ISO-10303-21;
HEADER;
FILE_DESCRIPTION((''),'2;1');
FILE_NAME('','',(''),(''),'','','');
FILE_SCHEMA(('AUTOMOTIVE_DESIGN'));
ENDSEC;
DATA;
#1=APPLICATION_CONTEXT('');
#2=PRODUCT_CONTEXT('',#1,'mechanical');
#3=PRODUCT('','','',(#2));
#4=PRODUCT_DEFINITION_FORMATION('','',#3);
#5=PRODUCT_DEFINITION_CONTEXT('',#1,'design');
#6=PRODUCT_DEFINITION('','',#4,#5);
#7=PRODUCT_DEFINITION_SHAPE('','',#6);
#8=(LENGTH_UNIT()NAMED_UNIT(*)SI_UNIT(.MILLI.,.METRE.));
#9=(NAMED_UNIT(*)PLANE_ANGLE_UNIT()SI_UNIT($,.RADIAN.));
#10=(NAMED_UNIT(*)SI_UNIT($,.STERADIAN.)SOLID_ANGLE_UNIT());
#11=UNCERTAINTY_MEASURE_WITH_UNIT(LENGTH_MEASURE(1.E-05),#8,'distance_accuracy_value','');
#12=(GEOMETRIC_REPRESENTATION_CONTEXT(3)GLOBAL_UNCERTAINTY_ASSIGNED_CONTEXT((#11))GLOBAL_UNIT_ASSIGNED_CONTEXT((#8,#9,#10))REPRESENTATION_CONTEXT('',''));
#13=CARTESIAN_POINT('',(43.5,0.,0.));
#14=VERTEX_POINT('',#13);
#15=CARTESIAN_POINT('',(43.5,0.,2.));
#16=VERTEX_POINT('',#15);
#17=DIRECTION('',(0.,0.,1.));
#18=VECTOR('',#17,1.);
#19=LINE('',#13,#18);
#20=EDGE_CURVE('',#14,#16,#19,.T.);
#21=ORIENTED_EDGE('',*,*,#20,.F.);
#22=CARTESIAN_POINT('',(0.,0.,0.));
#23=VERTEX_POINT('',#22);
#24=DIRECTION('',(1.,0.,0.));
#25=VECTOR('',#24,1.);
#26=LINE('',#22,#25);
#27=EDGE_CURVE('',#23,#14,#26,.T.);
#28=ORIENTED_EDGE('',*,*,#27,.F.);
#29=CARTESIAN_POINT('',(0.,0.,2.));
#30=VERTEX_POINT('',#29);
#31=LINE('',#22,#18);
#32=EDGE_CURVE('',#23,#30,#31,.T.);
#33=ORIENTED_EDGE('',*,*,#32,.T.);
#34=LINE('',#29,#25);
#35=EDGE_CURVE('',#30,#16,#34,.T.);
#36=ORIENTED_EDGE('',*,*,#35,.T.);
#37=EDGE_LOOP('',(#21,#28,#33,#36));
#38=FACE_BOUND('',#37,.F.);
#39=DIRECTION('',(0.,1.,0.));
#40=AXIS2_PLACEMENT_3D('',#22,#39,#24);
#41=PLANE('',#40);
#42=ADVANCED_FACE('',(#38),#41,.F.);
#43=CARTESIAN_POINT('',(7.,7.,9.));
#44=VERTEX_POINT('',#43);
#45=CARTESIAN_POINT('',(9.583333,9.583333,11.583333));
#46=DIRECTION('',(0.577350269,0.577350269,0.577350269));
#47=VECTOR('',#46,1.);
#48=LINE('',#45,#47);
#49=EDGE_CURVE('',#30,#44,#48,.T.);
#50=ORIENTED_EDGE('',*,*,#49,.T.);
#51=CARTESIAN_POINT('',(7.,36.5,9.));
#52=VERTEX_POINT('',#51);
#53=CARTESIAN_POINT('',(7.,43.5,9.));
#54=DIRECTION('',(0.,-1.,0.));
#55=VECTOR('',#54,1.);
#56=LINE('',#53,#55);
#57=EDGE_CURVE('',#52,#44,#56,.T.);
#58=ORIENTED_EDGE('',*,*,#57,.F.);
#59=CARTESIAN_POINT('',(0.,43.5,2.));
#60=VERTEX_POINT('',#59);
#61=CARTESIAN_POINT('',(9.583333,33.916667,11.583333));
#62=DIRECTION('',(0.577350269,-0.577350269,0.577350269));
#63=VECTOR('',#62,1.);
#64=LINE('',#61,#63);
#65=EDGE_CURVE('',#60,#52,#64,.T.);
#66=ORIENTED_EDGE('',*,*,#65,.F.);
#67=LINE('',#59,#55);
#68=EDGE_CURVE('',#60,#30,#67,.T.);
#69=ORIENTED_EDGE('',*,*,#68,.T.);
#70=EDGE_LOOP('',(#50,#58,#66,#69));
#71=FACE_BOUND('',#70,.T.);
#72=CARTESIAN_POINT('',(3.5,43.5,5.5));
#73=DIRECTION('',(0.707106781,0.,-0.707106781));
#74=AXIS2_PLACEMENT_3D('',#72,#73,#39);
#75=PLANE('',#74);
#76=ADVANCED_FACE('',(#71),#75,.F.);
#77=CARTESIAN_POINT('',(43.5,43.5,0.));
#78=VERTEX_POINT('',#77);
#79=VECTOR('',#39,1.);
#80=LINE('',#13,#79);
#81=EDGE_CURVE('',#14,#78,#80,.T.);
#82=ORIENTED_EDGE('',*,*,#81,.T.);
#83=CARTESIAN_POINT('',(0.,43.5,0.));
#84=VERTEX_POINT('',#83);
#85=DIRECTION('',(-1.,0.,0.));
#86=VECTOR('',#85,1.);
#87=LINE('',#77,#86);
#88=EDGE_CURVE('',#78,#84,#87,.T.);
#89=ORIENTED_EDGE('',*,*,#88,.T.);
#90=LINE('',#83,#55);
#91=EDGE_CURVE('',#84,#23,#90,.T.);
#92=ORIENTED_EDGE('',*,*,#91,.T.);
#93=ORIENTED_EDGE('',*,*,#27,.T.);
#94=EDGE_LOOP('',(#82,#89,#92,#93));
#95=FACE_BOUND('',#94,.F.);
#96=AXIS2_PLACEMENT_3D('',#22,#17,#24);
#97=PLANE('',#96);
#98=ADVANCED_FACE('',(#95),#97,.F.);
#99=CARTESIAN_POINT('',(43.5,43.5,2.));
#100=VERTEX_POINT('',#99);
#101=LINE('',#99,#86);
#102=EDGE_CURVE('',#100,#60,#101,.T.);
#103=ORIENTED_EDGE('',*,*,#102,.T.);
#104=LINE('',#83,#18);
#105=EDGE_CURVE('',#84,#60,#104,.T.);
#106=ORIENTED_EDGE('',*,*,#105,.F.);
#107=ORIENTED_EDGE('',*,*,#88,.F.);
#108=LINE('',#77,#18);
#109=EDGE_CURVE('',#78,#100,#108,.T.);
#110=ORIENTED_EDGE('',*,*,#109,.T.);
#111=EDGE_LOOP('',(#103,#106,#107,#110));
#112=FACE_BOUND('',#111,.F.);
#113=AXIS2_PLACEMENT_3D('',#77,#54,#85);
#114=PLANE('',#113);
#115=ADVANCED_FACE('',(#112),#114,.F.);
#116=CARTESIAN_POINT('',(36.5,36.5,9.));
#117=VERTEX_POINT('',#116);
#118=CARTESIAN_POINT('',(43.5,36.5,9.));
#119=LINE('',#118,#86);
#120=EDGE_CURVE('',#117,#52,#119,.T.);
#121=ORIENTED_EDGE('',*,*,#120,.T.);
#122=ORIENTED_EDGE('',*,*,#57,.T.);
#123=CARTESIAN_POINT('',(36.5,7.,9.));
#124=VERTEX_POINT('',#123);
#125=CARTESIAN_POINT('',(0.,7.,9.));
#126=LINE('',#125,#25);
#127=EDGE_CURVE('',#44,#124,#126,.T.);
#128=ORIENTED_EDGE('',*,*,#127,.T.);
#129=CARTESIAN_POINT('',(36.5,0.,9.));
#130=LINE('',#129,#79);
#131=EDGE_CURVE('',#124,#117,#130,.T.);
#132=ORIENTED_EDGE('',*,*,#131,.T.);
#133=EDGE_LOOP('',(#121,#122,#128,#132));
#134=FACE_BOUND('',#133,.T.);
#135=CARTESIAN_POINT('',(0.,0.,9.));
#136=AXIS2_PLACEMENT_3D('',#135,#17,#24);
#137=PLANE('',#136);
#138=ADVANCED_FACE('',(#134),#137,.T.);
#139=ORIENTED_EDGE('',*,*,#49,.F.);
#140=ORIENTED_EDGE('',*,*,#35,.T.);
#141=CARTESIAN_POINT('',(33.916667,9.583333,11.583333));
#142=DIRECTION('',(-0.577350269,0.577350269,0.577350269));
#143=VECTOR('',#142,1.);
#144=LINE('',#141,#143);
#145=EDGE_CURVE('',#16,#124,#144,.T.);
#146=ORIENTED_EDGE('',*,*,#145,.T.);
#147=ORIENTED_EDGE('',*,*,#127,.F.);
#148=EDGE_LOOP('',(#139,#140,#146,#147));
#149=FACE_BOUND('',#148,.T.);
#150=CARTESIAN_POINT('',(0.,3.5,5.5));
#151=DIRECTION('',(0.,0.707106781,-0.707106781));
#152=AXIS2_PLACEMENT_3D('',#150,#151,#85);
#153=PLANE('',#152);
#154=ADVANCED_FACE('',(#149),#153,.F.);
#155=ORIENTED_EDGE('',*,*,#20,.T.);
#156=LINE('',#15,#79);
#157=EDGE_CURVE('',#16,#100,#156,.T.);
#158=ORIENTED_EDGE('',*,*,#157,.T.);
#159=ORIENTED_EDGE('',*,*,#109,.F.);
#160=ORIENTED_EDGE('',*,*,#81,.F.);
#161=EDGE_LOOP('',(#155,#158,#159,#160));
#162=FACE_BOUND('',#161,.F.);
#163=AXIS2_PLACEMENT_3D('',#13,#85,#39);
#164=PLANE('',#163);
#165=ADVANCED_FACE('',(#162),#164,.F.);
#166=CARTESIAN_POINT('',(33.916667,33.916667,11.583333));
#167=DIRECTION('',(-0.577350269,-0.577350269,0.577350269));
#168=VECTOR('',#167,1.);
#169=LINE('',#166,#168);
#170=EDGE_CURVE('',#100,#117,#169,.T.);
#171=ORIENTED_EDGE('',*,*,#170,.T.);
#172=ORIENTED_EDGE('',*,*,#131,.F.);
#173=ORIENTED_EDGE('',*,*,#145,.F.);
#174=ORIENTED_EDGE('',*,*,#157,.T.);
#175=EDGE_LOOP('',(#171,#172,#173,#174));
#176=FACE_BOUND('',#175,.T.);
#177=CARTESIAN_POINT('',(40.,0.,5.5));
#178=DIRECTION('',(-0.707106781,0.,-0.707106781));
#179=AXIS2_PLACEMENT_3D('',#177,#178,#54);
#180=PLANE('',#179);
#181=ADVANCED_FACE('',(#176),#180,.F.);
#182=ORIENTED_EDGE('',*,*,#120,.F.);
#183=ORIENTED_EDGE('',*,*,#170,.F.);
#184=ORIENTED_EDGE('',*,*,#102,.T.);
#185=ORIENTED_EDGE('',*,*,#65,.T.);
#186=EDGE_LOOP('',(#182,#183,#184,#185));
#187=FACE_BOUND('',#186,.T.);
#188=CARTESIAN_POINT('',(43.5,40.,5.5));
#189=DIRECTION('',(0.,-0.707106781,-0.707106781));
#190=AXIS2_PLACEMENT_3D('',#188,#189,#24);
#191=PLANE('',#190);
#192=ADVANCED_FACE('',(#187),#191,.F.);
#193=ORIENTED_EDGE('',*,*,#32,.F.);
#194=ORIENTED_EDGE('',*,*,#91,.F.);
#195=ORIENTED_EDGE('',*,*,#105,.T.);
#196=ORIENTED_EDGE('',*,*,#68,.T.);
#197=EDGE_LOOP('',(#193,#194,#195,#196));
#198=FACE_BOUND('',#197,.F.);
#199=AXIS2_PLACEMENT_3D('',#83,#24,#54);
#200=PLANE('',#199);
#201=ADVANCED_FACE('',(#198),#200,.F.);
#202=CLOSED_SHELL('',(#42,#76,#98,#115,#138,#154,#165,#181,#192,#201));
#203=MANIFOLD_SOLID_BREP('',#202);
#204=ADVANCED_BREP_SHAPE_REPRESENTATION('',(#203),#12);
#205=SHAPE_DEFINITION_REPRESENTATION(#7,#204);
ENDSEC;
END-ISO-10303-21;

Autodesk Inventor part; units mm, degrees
ref_plane "YZ Plane" through (0, 0, 0) normal (1, 0, 0) x (0, 1, 0)
ref_plane "XZ Plane" through (0, 0, 0) normal (0, 1, 0) x (-1, 0, 0)
ref_plane "XY Plane" through (0, 0, 0) normal (0, 0, 1) x (1, 0, 0)
sketch "Sketch1" plane through (0, 0, 0) normal (0, 0, 1) x (1, 0, 0)
  line L0 (0, 0) -> (43.5, 0)
  line L1 (43.5, 0) -> (43.5, 43.5)
  line L2 (43.5, 43.5) -> (0, 43.5)
  line L3 (0, 43.5) -> (0, 0)
  dimension "d0" = 43.5
  dimension "d1" = 43.5
extrude "Extrusion1" add sketch "Sketch1" along normal blind 9
chamfer "Chamfer1" distance 7 angle 45 4 edges at (21.75, 43.5, 9) (0, 21.75, 9) (21.75, 0, 9) (43.5, 21.75, 9)
properties part number "Tripod"
